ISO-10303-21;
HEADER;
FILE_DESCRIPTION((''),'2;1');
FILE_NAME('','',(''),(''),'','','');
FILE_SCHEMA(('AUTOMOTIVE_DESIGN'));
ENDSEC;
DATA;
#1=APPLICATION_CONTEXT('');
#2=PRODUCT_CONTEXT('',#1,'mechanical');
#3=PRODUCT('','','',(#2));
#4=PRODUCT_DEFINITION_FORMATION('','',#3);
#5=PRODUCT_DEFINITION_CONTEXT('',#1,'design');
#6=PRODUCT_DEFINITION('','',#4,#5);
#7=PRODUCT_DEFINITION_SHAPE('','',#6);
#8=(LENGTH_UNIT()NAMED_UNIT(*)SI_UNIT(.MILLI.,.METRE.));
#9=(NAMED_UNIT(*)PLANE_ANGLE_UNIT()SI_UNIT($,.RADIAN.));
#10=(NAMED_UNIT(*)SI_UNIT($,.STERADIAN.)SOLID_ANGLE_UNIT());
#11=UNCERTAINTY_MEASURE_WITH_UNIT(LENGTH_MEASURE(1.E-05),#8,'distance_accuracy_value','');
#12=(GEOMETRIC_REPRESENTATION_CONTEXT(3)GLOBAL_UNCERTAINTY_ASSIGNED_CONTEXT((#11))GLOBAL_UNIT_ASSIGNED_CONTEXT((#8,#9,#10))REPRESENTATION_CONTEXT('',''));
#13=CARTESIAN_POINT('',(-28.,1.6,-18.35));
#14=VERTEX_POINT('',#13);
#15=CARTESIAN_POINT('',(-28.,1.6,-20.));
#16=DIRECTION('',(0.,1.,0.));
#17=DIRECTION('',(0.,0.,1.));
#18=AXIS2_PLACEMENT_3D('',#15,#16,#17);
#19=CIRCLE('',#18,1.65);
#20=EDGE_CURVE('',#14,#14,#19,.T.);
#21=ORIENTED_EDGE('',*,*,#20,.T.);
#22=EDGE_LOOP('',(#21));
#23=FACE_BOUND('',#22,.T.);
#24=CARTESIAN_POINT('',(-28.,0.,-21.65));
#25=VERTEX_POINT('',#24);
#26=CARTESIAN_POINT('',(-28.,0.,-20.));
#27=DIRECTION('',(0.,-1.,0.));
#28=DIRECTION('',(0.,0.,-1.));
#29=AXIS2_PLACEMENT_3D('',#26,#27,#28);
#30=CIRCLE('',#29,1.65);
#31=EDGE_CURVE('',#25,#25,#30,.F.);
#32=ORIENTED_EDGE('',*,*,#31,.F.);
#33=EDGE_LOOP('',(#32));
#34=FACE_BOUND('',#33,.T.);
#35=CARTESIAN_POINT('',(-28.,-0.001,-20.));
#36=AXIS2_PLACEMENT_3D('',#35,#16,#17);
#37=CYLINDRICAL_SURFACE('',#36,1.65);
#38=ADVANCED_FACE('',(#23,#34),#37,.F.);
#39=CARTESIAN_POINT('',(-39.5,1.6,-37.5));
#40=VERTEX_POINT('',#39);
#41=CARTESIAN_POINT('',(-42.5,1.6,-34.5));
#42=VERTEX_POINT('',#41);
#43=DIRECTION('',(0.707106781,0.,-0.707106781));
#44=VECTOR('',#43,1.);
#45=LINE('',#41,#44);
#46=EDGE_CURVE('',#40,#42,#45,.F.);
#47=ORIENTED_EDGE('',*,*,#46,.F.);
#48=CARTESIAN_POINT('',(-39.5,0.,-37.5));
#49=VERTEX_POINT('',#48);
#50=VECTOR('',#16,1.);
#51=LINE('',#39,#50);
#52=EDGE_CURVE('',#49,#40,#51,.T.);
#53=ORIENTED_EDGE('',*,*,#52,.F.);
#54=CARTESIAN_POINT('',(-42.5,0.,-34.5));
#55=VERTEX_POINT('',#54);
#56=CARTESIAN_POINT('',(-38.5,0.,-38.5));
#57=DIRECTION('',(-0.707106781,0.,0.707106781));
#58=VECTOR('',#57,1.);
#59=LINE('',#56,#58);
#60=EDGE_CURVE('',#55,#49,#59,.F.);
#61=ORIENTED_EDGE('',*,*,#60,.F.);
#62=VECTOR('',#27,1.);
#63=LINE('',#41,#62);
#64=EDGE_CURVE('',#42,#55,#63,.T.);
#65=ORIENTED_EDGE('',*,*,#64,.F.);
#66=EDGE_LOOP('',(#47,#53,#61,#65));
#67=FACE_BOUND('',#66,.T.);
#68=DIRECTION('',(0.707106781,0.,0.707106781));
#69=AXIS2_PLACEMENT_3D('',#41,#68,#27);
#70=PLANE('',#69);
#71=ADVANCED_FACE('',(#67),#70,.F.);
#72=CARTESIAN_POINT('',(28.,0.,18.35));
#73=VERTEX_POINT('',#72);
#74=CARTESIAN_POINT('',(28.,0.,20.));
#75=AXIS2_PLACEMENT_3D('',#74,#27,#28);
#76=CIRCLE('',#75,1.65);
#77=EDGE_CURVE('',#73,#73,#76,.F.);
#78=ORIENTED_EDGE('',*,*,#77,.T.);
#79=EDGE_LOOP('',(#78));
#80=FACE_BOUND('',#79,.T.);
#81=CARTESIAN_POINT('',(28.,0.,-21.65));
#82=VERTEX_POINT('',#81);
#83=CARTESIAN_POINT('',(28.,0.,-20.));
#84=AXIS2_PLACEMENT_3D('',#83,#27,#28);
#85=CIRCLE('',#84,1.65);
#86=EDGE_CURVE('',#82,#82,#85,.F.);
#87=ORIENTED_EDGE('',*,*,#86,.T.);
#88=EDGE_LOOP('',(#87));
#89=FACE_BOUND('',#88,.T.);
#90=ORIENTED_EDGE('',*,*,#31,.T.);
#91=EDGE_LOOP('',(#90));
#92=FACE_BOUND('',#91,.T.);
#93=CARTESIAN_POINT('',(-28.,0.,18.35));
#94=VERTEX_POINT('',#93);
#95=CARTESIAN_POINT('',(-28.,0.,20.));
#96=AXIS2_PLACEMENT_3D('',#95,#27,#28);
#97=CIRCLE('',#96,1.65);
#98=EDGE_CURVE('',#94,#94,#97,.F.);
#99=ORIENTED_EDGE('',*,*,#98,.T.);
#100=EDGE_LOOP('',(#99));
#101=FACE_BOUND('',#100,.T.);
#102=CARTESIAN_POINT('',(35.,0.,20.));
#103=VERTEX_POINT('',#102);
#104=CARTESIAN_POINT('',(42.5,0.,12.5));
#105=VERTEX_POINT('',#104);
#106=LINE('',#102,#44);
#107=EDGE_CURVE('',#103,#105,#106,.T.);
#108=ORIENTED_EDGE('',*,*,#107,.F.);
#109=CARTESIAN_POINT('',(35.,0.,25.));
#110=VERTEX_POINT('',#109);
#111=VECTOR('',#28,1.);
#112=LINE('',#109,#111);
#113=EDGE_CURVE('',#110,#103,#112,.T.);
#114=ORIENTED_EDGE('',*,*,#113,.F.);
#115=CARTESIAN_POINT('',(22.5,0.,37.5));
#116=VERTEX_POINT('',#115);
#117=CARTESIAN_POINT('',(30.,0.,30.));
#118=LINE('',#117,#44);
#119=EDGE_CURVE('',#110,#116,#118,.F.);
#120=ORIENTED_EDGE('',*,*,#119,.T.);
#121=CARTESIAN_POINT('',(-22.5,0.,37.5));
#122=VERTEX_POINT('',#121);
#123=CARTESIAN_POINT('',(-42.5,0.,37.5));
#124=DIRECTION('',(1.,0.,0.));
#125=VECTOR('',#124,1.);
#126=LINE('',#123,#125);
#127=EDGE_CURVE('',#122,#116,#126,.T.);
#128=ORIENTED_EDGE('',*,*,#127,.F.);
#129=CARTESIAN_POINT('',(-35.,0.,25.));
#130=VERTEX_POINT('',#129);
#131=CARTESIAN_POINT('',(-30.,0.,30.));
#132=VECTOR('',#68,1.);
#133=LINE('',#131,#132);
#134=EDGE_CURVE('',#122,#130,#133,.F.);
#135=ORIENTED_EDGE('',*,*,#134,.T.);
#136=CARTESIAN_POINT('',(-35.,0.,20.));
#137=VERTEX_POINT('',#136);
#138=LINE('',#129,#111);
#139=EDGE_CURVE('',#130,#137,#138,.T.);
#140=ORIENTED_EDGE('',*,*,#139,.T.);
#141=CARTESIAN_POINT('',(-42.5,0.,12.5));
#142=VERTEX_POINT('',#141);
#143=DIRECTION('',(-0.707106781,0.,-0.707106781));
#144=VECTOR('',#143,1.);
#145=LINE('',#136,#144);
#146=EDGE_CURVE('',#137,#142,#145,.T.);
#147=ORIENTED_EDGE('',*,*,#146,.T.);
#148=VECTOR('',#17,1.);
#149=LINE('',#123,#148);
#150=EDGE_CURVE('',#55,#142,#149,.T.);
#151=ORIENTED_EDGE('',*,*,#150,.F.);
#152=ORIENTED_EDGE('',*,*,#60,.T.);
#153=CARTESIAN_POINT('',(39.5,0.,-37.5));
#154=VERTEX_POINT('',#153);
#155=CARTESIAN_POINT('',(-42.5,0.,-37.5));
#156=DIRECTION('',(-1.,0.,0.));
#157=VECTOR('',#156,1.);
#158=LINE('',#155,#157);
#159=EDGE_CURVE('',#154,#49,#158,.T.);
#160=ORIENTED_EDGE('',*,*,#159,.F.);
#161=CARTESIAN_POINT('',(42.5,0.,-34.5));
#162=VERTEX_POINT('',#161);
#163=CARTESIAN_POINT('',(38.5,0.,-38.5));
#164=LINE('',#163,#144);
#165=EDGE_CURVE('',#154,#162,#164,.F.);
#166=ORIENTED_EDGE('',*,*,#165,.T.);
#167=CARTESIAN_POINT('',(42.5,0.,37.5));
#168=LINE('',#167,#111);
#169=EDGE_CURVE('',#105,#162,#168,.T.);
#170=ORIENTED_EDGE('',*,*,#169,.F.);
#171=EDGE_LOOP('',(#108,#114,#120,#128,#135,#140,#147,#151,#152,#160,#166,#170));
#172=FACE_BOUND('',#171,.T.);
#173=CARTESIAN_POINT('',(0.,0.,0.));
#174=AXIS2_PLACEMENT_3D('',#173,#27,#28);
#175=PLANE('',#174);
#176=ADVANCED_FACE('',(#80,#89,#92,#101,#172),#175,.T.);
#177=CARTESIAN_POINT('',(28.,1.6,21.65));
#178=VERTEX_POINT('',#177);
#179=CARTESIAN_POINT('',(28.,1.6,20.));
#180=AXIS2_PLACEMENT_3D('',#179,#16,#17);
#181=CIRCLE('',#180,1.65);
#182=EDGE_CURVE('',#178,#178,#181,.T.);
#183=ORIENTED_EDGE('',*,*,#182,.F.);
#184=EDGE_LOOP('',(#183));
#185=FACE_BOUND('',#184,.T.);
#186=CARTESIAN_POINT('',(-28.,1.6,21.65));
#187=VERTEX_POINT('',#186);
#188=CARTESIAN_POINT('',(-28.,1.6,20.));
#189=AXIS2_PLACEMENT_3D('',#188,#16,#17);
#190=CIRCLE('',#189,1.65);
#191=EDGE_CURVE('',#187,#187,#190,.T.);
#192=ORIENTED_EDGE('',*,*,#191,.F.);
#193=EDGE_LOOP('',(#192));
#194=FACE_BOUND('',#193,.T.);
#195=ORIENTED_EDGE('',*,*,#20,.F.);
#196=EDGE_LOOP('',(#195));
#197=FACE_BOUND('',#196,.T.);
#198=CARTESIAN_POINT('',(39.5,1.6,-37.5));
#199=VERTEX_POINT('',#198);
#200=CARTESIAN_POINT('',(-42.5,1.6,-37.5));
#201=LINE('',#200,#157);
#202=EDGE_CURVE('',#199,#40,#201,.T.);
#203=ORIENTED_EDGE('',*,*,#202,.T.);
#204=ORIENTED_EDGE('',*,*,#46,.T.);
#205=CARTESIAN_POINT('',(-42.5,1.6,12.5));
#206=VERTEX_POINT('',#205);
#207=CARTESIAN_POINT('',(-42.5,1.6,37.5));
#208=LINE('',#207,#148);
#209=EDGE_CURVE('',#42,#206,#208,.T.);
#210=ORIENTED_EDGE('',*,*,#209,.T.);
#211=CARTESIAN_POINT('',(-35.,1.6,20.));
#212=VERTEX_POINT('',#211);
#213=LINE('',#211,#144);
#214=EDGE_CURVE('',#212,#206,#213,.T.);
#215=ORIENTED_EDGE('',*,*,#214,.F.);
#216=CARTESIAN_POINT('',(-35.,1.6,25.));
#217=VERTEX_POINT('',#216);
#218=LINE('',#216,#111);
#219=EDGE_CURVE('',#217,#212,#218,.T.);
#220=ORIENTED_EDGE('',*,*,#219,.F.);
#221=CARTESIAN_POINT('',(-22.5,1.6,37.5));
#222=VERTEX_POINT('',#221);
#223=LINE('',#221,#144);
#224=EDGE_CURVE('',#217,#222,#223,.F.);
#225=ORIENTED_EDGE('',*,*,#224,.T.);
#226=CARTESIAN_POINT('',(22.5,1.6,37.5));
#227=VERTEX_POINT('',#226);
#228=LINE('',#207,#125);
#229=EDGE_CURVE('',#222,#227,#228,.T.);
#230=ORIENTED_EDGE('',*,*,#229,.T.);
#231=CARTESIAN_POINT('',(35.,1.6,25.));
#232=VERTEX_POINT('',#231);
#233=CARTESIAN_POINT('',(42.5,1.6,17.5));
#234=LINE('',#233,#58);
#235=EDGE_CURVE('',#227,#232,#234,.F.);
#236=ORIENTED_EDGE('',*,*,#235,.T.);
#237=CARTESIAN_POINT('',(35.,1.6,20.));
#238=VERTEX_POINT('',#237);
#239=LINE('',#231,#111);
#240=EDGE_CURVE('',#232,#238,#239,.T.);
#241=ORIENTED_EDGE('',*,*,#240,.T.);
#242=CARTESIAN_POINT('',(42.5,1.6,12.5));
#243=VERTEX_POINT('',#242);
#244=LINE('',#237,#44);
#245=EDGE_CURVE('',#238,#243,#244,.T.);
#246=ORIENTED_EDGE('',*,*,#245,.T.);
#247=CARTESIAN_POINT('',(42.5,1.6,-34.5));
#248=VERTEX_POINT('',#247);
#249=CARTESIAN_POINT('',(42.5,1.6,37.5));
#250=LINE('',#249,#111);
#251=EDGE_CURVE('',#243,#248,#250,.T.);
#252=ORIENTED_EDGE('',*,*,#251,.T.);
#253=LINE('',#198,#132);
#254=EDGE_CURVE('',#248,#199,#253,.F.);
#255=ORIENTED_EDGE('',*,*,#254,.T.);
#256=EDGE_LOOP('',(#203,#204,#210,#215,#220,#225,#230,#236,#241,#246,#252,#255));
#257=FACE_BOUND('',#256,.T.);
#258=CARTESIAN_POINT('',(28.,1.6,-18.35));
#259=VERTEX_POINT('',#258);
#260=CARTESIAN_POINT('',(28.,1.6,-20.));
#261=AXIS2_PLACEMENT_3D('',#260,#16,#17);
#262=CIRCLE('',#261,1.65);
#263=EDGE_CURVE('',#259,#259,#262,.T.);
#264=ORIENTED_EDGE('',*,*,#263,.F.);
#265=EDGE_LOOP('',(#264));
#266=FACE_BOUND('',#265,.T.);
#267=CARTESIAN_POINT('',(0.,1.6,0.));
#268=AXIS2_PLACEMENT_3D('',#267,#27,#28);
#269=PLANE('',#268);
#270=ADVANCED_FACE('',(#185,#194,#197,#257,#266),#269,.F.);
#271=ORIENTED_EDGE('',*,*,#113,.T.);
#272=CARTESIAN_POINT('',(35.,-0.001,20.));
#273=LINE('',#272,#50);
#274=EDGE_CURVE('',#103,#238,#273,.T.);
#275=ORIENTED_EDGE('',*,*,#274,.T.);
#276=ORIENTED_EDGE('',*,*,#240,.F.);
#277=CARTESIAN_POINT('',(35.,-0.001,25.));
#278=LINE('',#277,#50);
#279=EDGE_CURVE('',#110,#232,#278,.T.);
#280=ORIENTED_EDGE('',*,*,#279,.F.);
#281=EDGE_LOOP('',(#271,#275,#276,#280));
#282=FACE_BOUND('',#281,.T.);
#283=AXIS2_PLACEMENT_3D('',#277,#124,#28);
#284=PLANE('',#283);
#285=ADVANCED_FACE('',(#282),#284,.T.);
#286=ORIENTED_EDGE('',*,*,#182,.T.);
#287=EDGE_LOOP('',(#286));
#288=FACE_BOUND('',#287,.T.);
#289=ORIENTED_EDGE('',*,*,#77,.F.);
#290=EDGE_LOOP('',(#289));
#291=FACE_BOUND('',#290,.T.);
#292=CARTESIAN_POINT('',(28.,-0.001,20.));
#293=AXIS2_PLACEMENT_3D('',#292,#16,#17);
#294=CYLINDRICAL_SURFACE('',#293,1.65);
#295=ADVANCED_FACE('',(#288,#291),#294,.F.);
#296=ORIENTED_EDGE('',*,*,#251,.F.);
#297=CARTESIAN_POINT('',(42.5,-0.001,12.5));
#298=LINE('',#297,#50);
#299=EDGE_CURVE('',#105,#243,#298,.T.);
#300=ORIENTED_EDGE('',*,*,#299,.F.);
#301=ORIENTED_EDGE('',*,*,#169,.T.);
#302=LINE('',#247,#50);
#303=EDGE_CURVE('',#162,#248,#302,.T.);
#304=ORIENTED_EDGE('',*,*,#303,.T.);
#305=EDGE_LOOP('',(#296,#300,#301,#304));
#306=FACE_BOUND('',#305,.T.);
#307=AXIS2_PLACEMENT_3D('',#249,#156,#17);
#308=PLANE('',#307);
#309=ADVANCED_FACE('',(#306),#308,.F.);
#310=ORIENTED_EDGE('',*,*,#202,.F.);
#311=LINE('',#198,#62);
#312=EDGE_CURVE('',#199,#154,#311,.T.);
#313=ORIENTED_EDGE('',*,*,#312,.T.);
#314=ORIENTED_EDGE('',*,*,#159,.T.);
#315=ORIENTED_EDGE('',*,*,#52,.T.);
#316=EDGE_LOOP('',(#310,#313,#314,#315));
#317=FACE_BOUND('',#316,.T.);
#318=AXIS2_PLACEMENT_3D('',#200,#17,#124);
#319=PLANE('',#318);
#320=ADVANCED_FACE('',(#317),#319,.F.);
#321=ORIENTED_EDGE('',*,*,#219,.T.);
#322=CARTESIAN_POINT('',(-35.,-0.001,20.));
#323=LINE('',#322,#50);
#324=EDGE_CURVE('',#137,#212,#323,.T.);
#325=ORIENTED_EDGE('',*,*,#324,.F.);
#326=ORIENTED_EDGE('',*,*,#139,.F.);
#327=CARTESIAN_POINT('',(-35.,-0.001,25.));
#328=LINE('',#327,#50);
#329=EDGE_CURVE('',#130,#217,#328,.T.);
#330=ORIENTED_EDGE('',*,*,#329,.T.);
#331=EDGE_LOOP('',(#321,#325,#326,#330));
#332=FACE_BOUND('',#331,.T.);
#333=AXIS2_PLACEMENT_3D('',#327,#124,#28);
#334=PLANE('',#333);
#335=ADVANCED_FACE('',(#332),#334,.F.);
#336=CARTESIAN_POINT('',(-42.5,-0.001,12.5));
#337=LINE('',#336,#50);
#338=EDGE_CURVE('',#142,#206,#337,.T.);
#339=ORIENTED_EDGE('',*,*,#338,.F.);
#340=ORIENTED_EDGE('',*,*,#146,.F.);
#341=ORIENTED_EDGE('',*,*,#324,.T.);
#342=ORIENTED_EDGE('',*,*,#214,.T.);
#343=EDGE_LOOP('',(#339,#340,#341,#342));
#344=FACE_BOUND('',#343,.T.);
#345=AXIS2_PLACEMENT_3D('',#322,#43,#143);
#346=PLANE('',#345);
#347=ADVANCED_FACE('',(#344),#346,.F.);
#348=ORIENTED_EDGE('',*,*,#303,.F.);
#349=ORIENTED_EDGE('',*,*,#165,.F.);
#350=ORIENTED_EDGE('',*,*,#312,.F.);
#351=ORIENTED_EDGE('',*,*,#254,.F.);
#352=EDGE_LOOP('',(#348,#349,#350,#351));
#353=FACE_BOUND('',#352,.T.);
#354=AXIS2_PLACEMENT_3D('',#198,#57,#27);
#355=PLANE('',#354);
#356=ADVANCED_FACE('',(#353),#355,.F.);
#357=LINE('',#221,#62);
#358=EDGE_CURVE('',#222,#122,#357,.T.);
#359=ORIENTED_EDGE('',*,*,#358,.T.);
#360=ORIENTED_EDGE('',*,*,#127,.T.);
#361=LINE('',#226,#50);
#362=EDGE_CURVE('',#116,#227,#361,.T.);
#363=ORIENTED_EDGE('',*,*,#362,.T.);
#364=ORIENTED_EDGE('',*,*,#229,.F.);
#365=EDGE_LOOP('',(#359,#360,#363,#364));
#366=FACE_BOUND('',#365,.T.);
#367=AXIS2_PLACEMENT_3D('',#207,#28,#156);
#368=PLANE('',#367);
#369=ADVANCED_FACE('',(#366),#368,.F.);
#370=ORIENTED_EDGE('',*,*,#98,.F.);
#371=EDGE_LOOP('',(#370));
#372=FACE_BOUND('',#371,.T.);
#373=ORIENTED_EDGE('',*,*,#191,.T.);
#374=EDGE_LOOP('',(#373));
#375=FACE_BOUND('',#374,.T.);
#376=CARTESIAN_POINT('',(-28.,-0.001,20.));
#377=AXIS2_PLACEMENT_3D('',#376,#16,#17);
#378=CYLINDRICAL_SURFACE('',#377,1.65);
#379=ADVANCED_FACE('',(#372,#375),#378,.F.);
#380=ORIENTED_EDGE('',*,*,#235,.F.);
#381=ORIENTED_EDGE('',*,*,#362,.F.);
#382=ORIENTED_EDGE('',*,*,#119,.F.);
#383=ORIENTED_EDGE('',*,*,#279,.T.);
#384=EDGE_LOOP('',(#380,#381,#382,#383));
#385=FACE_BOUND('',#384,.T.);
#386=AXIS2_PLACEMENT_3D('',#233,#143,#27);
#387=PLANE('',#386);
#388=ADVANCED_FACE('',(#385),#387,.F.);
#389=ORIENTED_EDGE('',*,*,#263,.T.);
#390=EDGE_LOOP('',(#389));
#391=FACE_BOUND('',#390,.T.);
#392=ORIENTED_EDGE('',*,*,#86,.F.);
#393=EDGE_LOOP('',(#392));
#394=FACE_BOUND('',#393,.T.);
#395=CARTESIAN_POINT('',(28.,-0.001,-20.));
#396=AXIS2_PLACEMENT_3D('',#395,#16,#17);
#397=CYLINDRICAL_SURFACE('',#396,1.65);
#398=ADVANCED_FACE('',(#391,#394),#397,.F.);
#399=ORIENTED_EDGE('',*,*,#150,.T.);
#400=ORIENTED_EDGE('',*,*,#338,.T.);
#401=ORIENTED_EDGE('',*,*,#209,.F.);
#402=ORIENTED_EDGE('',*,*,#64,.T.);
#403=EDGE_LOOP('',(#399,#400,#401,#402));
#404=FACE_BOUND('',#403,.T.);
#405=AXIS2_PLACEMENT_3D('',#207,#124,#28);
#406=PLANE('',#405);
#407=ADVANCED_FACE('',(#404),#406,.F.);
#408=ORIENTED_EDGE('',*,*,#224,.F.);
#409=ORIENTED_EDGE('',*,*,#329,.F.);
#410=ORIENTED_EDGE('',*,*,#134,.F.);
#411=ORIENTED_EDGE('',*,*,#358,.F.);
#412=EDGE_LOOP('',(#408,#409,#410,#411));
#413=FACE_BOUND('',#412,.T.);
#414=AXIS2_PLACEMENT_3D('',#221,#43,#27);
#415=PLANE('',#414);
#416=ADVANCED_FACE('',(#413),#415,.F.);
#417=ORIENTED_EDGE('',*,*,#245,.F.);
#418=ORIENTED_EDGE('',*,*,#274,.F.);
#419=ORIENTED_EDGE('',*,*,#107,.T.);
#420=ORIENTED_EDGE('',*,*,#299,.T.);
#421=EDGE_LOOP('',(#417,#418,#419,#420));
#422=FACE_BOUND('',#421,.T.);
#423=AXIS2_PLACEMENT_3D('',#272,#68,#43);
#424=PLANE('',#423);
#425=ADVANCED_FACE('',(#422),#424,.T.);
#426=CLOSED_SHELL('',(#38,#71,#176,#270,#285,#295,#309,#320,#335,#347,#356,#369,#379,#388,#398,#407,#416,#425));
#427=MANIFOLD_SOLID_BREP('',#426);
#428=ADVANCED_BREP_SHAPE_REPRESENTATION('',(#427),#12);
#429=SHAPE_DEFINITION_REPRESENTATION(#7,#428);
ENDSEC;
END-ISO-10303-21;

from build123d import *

# Parameters (mm, degrees)
SKETCH_1_W          = 85
SKETCH_1_H          = 75
EXTRUDE_1_DEPTH     = 1.6
CUT_EXTRUDE_1_REACH = 58.701
SKETCH_2_R          = 1.65
CHAMFER_2_SIZE      = 3
CHAMFER_3_SIZE      = 20
CUT_EXTRUDE_4_REACH = 58.701


with BuildPart() as part:
    # 草图1 → 凸台-拉伸1 (new body)
    with BuildSketch(Plane(origin=(0, 0, 0), x_dir=(1, 0, 0), z_dir=(0, 1, 0))):
        Rectangle(SKETCH_1_W, SKETCH_1_H)
    extrude(amount=EXTRUDE_1_DEPTH)

    # 草图2 → 切除-拉伸1 (cut, up to next)
    with BuildSketch(Plane(origin=(0, 1.6, 0), x_dir=(1, 0, 0), z_dir=(0, 1, 0)), mode=Mode.PRIVATE) as cut_extrude_1_sk1:
        with Locations(Location((-28, 20, 0), (0, 0, 270))):
            Circle(SKETCH_2_R)
    cut_extrude_1_tool1 = extrude(cut_extrude_1_sk1.sketch, amount=-CUT_EXTRUDE_1_REACH, mode=Mode.PRIVATE) & part.part
    # 草图2 → 切除-拉伸1 (cut, up to next)
    with BuildSketch(Plane(origin=(0, 1.6, 0), x_dir=(1, 0, 0), z_dir=(0, 1, 0)), mode=Mode.PRIVATE) as cut_extrude_1_sk2:
        with Locations(Location((-28, -20, 0), (0, 0, 270))):
            Circle(SKETCH_2_R)
    cut_extrude_1_tool2 = extrude(cut_extrude_1_sk2.sketch, amount=-CUT_EXTRUDE_1_REACH, mode=Mode.PRIVATE) & part.part
    # 草图2 → 切除-拉伸1 (cut, up to next)
    with BuildSketch(Plane(origin=(0, 1.6, 0), x_dir=(1, 0, 0), z_dir=(0, 1, 0)), mode=Mode.PRIVATE) as cut_extrude_1_sk3:
        with Locations(Location((28, 20, 0), (0, 0, 270))):
            Circle(SKETCH_2_R)
    cut_extrude_1_tool3 = extrude(cut_extrude_1_sk3.sketch, amount=-CUT_EXTRUDE_1_REACH, mode=Mode.PRIVATE) & part.part
    # 草图2 → 切除-拉伸1 (cut, up to next)
    with BuildSketch(Plane(origin=(0, 1.6, 0), x_dir=(1, 0, 0), z_dir=(0, 1, 0)), mode=Mode.PRIVATE) as cut_extrude_1_sk4:
        with Locations(Location((28, -20, 0), (0, 0, 270))):
            Circle(SKETCH_2_R)
    cut_extrude_1_tool4 = extrude(cut_extrude_1_sk4.sketch, amount=-CUT_EXTRUDE_1_REACH, mode=Mode.PRIVATE) & part.part
    add(cut_extrude_1_tool1.solids().sort_by_distance((-28, 1.6, -20))[0], mode=Mode.SUBTRACT)
    add(cut_extrude_1_tool2.solids().sort_by_distance((-28, 1.6, 20))[0], mode=Mode.SUBTRACT)
    add(cut_extrude_1_tool3.solids().sort_by_distance((28, 1.6, -20))[0], mode=Mode.SUBTRACT)
    add(cut_extrude_1_tool4.solids().sort_by_distance((28, 1.6, 20))[0], mode=Mode.SUBTRACT)

    # 倒角2
    chamfer_2_edges = [part.edges().sort_by_distance(p)[0] for p in [
        (-42.5, 0.8, -37.5),
        (42.5, 0.8, -37.5),
    ]]
    chamfer(chamfer_2_edges, length=CHAMFER_2_SIZE)

    # 倒角3
    chamfer_3_edges = [part.edges().sort_by_distance(p)[0] for p in [
        (42.5, 0.8, 37.5),
        (-42.5, 0.8, 37.5),
    ]]
    chamfer(chamfer_3_edges, length=CHAMFER_3_SIZE)

    # 草图7 → 切除-拉伸4 (cut, up to next)
    with BuildSketch(Plane(origin=(0, 1.6, 0), x_dir=(1, 0, 0), z_dir=(0, 1, 0)), mode=Mode.PRIVATE) as cut_extrude_4_sk1:
        Polygon((-35, -25), (-35, -20), (-42.5, -12.5), (-42.5, -17.5), align=None)
    cut_extrude_4_tool1 = extrude(cut_extrude_4_sk1.sketch, amount=-CUT_EXTRUDE_4_REACH, mode=Mode.PRIVATE) & part.part
    cut_extrude_4 = cut_extrude_4_tool1.solids().sort_by_distance((-38.75, 1.6, 18.75))[0]
    add(cut_extrude_4, mode=Mode.SUBTRACT)

    # 镜向1: 切除-拉伸4 across plane
    add(cut_extrude_4.mirror(Plane(origin=(0, 0, 0), x_dir=(0, 0, 1), z_dir=(1, 0, 0))), mode=Mode.SUBTRACT)


solid = part.part
